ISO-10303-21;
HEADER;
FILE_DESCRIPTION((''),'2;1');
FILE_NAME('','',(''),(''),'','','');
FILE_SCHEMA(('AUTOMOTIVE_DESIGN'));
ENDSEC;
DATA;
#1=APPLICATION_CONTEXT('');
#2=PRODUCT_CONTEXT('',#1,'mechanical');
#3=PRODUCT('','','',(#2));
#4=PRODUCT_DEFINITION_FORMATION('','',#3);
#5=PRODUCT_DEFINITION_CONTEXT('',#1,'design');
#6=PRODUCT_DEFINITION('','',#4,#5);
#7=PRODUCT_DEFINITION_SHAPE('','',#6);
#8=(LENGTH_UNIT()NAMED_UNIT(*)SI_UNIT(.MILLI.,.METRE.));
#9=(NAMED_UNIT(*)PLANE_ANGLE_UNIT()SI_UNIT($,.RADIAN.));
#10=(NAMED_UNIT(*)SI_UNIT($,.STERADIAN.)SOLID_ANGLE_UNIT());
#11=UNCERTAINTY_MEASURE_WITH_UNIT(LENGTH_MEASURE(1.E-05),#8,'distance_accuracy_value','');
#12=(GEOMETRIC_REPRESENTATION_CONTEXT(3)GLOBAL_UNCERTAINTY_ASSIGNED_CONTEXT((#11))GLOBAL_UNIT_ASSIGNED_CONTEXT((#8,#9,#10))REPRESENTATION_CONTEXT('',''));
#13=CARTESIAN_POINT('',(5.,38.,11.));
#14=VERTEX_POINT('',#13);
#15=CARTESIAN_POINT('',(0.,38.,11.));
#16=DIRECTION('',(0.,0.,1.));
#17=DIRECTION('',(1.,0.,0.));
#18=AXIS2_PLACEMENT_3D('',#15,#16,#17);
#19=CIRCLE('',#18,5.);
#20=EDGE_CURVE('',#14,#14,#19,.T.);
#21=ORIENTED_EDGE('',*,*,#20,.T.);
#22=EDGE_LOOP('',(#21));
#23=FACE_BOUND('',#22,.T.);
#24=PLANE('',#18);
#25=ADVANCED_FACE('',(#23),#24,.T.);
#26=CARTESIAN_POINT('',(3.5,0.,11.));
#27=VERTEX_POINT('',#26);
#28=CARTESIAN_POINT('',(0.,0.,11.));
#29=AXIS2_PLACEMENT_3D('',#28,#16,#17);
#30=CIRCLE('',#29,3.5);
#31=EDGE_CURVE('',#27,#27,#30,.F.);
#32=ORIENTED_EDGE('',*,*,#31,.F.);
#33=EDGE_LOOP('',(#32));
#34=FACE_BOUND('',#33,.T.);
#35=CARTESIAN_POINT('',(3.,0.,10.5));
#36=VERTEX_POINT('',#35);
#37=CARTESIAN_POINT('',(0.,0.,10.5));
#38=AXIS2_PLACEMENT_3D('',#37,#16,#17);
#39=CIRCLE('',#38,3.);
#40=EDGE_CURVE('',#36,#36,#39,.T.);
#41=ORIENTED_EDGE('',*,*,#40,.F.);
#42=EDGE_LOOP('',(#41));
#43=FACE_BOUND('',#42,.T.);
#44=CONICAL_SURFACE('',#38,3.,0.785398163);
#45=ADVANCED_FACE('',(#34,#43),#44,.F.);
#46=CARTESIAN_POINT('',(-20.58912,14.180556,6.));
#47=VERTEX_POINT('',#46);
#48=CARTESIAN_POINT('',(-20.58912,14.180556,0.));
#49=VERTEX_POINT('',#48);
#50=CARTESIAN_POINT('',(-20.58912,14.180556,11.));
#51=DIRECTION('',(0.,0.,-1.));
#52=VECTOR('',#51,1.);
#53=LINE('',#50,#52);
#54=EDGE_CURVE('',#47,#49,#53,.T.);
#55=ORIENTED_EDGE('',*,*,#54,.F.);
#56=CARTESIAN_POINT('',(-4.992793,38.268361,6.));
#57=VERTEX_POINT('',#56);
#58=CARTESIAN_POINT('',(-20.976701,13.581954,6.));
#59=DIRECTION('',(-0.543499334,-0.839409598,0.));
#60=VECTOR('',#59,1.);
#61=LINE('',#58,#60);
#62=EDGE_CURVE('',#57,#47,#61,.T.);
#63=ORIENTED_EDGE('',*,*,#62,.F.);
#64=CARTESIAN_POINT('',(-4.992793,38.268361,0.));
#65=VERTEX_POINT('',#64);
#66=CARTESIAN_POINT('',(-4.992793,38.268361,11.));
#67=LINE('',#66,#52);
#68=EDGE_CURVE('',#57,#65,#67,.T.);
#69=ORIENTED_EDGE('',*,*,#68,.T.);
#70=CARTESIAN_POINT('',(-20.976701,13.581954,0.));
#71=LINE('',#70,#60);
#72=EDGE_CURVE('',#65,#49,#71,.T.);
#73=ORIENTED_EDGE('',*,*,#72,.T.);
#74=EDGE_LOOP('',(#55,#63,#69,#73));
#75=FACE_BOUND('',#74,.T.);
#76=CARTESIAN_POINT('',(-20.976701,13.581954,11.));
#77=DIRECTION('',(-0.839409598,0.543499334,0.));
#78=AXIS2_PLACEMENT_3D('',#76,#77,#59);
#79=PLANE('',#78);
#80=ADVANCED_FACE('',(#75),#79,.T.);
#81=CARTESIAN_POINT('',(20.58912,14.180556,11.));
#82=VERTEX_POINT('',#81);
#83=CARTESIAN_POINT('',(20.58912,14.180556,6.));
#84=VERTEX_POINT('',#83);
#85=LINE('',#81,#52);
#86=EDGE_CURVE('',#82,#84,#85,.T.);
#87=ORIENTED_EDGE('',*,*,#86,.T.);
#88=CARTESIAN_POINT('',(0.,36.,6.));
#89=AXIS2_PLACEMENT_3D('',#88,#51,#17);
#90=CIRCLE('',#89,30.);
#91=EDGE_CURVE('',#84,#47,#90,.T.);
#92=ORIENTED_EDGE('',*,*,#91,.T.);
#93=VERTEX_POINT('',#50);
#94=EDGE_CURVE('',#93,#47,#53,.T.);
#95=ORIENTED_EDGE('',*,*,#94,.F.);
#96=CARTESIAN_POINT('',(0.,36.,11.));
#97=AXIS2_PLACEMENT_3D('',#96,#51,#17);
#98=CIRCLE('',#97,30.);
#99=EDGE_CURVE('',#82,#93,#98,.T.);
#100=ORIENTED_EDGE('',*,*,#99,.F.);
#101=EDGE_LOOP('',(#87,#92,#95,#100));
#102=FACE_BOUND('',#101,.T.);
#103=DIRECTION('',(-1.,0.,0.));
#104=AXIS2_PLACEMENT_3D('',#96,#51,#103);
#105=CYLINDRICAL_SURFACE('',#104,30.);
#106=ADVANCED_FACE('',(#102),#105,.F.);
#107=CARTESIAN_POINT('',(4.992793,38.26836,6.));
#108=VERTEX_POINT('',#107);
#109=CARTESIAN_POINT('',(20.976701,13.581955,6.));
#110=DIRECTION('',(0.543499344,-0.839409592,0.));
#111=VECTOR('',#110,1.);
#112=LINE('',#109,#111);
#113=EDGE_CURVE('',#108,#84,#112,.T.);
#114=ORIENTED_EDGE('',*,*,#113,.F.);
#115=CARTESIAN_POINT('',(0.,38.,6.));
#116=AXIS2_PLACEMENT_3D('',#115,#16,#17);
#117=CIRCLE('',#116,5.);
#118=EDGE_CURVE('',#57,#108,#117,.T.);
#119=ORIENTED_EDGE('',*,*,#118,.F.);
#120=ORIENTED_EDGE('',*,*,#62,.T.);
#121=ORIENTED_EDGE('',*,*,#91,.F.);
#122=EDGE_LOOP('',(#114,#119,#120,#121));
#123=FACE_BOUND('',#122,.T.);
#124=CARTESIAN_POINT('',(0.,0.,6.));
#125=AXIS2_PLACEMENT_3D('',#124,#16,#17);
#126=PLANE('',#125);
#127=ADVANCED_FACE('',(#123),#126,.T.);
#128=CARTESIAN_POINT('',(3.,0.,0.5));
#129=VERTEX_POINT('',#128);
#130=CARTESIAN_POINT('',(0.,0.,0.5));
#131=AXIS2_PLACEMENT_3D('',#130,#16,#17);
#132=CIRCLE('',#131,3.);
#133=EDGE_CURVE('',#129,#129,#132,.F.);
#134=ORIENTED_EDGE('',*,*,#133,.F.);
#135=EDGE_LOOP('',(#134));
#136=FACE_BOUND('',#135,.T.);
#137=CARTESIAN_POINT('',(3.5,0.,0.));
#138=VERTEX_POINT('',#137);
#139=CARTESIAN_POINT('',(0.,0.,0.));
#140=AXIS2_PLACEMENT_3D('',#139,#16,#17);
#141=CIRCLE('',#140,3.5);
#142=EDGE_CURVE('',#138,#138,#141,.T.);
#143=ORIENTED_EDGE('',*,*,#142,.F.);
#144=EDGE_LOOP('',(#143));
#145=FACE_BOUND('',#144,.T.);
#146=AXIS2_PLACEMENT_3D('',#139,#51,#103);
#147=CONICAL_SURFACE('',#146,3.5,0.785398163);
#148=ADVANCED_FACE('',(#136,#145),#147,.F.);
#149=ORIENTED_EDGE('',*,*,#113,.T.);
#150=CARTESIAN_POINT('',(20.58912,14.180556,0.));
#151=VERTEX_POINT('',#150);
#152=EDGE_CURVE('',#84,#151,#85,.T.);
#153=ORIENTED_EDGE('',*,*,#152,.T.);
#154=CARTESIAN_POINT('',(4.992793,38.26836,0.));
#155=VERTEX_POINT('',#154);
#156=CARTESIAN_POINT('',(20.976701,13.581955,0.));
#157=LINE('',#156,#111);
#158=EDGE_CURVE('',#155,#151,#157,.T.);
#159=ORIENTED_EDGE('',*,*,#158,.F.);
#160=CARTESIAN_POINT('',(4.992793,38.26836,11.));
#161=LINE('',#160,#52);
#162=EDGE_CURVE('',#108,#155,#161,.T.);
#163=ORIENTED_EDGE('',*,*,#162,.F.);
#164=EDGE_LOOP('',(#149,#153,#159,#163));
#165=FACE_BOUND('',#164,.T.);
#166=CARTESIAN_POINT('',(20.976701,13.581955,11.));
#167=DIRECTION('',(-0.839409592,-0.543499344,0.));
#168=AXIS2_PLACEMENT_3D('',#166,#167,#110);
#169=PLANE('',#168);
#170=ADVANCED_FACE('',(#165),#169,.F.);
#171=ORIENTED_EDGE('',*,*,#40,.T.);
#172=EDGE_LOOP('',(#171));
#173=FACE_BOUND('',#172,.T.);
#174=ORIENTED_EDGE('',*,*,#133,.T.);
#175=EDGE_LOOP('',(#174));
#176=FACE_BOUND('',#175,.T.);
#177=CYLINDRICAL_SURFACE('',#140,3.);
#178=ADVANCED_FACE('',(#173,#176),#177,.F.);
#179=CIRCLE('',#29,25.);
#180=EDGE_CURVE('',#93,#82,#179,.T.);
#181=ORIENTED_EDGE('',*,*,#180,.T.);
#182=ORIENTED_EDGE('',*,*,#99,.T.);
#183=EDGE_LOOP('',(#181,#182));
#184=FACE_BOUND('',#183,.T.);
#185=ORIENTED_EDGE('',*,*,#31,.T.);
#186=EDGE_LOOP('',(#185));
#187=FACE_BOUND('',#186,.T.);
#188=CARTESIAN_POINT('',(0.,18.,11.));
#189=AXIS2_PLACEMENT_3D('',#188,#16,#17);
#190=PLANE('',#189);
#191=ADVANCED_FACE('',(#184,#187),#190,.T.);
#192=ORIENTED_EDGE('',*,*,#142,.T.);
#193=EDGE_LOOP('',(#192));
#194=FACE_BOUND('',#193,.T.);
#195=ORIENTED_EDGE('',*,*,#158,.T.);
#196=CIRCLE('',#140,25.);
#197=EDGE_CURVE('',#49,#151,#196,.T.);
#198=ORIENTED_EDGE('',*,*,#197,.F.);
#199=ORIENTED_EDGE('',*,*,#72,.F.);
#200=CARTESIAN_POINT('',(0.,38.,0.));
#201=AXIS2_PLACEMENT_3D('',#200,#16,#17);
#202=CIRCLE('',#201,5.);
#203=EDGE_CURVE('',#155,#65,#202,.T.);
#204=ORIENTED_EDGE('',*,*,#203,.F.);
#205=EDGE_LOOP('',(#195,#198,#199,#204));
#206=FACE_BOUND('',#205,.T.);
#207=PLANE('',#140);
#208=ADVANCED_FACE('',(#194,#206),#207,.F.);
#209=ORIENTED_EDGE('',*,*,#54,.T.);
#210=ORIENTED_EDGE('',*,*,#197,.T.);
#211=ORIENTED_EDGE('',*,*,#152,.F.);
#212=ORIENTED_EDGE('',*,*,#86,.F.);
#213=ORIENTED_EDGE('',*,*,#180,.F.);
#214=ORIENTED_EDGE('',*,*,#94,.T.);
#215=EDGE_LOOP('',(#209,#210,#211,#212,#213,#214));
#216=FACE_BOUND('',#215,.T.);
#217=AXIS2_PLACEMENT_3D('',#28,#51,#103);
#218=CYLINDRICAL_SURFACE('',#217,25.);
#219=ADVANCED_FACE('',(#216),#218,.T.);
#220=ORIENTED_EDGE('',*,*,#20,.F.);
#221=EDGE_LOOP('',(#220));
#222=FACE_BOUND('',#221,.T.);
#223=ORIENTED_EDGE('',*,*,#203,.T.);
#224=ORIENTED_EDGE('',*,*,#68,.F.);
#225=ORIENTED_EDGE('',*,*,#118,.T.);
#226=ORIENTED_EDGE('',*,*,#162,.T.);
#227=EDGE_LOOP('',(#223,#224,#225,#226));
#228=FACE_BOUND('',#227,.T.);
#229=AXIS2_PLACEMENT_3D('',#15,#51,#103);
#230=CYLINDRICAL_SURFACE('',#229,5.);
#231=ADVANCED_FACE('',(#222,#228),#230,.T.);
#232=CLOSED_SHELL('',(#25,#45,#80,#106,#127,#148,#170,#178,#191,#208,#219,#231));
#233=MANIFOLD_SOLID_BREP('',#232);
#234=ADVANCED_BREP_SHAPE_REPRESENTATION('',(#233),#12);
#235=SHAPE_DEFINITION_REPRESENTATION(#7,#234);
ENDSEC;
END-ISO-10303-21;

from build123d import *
from build123d.topology import SkipClean

# Parameters (mm, degrees)
SKETCH1_R               = 50
BOSS_EXTRUDE1_DEPTH     = 6
SKETCH2_R               = 4.999999999999999
BOSS_EXTRUDE2_DEPTH     = 5
SKETCH3_R               = 3
CUT_EXTRUDE1_DEPTH      = 72.56116265125938
CUT_EXTRUDE2_DEPTH      = 71.96477999684069
CUT_EXTRUDE2_DEPTH_BACK = 31
SKETCH4_R               = 50
CHAMFER1_SIZE           = 0.5


with BuildPart() as part:
    # Sketch1 → Boss-Extrude1 (new body)
    with BuildSketch(Plane.XY):
        Circle(SKETCH1_R)
    extrude(amount=BOSS_EXTRUDE1_DEPTH)

    # Sketch2 → Boss-Extrude2 (add)
    with BuildSketch(Plane.XY.offset(6)):
        with Locations((0, 38)):
            Circle(SKETCH2_R)
        with BuildLine():
            ThreePointArc((-20.589119557081666, 14.180555555555557), (-4.59e-15, -25.000000000000007), (20.589119557081666, 14.180555555555557))
            ThreePointArc((20.589119557081666, 14.180555555555557), (-4.82e-15, 5.9999999999999964), (-20.589119557081666, 14.180555555555557))
        make_face()
    extrude(amount=BOSS_EXTRUDE2_DEPTH)

    # Sketch3 → Cut-Extrude1 (cut, through all)
    with BuildSketch(Plane.XY.offset(11)):
        Circle(SKETCH3_R)
    extrude(amount=-CUT_EXTRUDE1_DEPTH, mode=Mode.SUBTRACT)

    # Sketch4 → Cut-Extrude2 (cut, two sides: drawn at the far end of the back side and taken through both)
    with SkipClean():  # the faces are left unmerged after this step: merging them gives an invalid solid
        with BuildSketch(Plane.XY.offset(6).offset(-CUT_EXTRUDE2_DEPTH_BACK)):
            Circle(SKETCH4_R)
            with BuildLine():
                ThreePointArc((20.58911955708167, 14.180555555555559), (8.9e-16, -25.000000000000014), (-20.58911955708167, 14.180555555555559))
                Line((-20.589119557081666, 14.180555555555562), (-4.992793047790904, 38.268360917297514))
                ThreePointArc((-4.9927930477907125, 38.268360917297436), (-4.1970479921117985, 40.71749667008265), (-2.2879979935196513, 42.44579185091363))
                ThreePointArc((-2.2879979935196513, 42.44579185091363), (-4.1769426665e-07, 42.999999999999986), (2.287997250726913, 42.44579223318703))
                ThreePointArc((2.287997250726913, 42.44579223318703), (4.1970479585600895, 40.71749672190172), (4.992793086001126, 38.26836020640056))
                Line((4.992793086001273, 38.268360206400615), (20.58911955708167, 14.180555555555559))
            make_face(mode=Mode.SUBTRACT)
        extrude(amount=CUT_EXTRUDE2_DEPTH + CUT_EXTRUDE2_DEPTH_BACK, mode=Mode.SUBTRACT)

    # Chamfer1
    chamfer1_edges = [part.edges().sort_by_distance(p)[0] for p in [
        (-3, 3.7e-16, 0),
        (-3, 3.7e-16, 11),
    ]]
    chamfer(chamfer1_edges, length=CHAMFER1_SIZE)


solid = part.part
